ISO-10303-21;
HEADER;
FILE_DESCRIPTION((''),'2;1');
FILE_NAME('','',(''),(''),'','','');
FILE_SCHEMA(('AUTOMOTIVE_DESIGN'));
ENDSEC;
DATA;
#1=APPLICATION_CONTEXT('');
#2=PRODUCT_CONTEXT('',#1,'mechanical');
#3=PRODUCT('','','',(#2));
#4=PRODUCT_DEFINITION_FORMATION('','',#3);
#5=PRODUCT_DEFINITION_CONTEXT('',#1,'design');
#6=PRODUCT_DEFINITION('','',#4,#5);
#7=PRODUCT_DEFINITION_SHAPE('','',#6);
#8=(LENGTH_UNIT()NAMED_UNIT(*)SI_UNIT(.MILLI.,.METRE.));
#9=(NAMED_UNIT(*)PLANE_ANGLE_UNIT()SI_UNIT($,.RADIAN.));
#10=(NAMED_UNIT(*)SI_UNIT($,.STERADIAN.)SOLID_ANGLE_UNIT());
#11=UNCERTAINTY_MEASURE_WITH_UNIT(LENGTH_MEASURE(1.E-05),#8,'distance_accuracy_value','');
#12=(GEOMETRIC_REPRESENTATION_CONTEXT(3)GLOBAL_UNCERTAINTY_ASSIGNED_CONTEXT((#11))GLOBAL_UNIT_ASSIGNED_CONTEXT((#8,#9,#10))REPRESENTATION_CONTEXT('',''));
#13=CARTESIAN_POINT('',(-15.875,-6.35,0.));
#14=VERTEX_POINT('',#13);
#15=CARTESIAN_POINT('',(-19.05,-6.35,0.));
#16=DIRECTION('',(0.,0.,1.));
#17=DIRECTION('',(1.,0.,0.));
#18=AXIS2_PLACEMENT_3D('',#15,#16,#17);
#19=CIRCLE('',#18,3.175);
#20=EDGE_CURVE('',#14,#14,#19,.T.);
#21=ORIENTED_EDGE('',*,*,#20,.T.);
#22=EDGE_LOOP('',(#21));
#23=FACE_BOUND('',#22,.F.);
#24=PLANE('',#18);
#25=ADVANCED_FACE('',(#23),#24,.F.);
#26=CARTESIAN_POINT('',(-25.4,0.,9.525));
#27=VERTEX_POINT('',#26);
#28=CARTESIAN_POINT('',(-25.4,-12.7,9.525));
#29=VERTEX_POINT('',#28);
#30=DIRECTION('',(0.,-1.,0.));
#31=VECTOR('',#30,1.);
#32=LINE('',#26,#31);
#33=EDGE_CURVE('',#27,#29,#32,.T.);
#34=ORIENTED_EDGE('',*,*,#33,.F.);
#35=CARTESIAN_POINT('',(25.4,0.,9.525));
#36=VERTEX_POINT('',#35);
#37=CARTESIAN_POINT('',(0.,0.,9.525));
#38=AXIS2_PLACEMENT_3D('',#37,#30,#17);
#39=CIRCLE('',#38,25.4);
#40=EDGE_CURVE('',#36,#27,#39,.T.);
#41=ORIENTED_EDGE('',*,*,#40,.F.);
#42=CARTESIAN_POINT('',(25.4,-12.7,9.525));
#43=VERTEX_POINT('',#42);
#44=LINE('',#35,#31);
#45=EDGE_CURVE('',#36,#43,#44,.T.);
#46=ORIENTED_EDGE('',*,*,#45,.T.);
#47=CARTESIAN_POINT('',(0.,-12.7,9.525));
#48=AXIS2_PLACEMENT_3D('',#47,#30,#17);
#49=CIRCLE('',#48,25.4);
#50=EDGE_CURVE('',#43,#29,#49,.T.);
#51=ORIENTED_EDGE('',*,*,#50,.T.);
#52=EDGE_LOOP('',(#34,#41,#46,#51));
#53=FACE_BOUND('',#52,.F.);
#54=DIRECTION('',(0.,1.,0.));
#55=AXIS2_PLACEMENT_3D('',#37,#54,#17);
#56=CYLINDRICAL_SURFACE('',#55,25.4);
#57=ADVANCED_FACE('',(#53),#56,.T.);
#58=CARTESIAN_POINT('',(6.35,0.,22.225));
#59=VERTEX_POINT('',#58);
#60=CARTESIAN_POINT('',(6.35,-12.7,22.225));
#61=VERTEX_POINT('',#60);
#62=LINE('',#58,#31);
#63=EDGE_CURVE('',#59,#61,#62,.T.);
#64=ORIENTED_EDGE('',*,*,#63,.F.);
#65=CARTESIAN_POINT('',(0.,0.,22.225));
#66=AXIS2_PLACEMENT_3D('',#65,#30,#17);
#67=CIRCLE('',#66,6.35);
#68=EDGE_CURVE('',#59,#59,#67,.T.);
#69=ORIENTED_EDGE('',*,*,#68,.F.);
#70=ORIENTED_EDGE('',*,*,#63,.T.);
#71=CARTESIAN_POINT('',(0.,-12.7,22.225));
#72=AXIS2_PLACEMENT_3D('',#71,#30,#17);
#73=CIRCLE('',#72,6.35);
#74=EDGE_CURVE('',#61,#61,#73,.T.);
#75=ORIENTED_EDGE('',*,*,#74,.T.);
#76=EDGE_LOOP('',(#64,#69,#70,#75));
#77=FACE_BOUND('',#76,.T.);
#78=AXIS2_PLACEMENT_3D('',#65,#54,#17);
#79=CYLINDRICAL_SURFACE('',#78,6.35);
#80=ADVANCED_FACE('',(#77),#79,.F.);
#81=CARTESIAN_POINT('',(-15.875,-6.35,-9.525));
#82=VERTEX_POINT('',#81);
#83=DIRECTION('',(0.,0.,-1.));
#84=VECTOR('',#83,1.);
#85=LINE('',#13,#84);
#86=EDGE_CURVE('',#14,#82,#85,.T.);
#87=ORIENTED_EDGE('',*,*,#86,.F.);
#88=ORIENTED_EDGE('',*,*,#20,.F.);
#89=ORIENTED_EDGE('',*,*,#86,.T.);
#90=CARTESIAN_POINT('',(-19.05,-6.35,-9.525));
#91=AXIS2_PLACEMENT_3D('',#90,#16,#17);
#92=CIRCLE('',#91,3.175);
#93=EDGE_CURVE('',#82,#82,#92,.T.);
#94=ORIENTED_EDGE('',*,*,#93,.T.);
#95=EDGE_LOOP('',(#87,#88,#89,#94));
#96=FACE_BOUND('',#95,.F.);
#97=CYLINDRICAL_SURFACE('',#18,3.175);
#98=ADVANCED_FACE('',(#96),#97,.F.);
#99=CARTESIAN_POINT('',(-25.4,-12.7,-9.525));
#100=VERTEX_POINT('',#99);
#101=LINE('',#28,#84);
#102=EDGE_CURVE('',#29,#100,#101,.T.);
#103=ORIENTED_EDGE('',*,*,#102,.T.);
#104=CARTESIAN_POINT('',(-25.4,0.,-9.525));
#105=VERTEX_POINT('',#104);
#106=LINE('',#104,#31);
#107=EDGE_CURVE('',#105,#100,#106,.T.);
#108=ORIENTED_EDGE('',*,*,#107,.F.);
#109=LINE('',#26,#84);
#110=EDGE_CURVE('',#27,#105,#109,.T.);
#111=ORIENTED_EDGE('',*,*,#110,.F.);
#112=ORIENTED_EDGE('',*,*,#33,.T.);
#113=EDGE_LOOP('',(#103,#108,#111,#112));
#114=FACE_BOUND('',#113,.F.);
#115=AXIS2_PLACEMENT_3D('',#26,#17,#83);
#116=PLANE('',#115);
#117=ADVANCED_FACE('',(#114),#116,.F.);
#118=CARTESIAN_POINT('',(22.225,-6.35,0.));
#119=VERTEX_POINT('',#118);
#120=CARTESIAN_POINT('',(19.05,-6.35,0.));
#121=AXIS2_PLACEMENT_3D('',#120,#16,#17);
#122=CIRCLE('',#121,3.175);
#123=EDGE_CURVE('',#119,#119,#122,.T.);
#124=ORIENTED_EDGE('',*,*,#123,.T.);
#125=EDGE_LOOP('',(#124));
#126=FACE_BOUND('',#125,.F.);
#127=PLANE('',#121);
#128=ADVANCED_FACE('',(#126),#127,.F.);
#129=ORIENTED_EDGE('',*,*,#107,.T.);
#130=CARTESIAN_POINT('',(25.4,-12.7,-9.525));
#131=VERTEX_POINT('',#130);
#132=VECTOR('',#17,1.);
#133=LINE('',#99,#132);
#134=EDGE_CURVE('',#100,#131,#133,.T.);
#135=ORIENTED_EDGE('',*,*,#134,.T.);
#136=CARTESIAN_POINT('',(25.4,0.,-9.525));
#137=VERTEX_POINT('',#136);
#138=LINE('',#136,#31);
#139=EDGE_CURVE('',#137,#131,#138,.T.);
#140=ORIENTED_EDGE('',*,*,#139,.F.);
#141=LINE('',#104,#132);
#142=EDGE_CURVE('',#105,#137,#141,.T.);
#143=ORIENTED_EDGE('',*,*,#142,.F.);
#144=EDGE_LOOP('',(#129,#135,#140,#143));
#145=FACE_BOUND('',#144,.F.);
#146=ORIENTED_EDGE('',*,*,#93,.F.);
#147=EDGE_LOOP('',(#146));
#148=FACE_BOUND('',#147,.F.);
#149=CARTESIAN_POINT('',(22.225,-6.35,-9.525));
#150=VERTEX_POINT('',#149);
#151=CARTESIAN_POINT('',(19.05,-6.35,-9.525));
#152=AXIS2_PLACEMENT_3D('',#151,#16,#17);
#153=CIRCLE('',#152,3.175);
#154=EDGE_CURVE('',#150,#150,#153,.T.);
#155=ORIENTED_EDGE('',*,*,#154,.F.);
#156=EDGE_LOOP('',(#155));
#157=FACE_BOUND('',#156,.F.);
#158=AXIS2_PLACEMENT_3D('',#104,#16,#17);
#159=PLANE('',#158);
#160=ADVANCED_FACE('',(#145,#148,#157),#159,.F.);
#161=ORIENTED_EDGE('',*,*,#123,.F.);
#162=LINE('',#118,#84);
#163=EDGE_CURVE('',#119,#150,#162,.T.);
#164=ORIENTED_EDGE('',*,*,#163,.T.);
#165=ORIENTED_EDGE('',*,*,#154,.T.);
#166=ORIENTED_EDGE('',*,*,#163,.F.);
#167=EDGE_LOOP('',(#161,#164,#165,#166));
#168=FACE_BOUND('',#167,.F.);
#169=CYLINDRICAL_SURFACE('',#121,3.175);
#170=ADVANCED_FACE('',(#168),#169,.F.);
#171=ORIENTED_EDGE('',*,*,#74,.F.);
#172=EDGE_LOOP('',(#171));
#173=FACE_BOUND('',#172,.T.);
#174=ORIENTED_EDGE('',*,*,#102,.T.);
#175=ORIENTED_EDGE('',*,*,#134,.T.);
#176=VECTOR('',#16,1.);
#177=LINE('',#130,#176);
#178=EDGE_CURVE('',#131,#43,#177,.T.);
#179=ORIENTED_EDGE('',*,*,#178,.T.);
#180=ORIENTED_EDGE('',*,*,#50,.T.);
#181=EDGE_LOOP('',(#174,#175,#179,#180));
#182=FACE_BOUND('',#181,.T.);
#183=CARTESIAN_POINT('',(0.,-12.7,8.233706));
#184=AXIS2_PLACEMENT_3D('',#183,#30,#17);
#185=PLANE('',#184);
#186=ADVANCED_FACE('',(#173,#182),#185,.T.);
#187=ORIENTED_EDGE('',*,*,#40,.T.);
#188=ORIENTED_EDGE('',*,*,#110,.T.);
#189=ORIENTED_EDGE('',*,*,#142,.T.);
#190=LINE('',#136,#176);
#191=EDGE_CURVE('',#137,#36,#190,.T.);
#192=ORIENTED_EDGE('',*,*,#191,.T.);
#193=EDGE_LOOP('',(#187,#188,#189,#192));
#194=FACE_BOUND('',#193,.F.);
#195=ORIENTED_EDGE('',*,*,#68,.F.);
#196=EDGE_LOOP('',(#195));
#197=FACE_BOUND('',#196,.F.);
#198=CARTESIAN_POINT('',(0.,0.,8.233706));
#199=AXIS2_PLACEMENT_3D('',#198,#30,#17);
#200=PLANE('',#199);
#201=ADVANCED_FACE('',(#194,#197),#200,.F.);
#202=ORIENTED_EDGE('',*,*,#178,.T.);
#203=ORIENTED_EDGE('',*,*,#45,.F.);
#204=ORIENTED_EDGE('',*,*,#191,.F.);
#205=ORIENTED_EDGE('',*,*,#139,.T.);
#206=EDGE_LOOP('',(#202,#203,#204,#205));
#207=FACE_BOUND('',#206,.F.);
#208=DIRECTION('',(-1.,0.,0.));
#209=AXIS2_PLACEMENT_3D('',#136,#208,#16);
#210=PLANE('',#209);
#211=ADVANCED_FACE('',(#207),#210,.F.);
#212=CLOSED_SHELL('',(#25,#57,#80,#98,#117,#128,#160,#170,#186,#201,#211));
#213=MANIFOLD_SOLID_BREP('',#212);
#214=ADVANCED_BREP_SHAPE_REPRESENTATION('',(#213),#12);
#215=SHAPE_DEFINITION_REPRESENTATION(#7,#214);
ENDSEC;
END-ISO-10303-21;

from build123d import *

# Parameters (mm, degrees)
F2_R     = 6.35
F0_DEPTH = 12.7
F1_D     = 6.35
F1_DEPTH = 19.05
F1_TIP   = 1.9077324654


with BuildPart() as f0:
    # F2 (on Front) → F0 (new body)
    with BuildSketch(Plane.XZ):
        with BuildLine():
            Line((-25.4, -9.525), (25.4, -9.525))
            Line((25.4, -9.525), (25.4, 9.525))
            ThreePointArc((25.4, 9.525), (0, 34.925), (-25.4, 9.525))
            Line((-25.4, 9.525), (-25.4, -9.525))
        make_face()
        with Locations((0, 22.225)):
            Circle(F2_R, mode=Mode.SUBTRACT)
    extrude(amount=F0_DEPTH)

    # F1 (one way)
    with BuildSketch(Plane.XY):
        with Locations((19.05, -6.35), (-19.05, -6.35)):
            Circle(F1_D / 2)
    extrude(amount=-F1_DEPTH, mode=Mode.SUBTRACT)
    with Locations(Plane.XY):
        with Locations((19.05, -6.35), (-19.05, -6.35)):
            with Locations((0, 0, -(F1_DEPTH + F1_TIP / 2))):  # 118° drill point
                Cone(0, F1_D / 2, F1_TIP, mode=Mode.SUBTRACT)


solid = f0.part
